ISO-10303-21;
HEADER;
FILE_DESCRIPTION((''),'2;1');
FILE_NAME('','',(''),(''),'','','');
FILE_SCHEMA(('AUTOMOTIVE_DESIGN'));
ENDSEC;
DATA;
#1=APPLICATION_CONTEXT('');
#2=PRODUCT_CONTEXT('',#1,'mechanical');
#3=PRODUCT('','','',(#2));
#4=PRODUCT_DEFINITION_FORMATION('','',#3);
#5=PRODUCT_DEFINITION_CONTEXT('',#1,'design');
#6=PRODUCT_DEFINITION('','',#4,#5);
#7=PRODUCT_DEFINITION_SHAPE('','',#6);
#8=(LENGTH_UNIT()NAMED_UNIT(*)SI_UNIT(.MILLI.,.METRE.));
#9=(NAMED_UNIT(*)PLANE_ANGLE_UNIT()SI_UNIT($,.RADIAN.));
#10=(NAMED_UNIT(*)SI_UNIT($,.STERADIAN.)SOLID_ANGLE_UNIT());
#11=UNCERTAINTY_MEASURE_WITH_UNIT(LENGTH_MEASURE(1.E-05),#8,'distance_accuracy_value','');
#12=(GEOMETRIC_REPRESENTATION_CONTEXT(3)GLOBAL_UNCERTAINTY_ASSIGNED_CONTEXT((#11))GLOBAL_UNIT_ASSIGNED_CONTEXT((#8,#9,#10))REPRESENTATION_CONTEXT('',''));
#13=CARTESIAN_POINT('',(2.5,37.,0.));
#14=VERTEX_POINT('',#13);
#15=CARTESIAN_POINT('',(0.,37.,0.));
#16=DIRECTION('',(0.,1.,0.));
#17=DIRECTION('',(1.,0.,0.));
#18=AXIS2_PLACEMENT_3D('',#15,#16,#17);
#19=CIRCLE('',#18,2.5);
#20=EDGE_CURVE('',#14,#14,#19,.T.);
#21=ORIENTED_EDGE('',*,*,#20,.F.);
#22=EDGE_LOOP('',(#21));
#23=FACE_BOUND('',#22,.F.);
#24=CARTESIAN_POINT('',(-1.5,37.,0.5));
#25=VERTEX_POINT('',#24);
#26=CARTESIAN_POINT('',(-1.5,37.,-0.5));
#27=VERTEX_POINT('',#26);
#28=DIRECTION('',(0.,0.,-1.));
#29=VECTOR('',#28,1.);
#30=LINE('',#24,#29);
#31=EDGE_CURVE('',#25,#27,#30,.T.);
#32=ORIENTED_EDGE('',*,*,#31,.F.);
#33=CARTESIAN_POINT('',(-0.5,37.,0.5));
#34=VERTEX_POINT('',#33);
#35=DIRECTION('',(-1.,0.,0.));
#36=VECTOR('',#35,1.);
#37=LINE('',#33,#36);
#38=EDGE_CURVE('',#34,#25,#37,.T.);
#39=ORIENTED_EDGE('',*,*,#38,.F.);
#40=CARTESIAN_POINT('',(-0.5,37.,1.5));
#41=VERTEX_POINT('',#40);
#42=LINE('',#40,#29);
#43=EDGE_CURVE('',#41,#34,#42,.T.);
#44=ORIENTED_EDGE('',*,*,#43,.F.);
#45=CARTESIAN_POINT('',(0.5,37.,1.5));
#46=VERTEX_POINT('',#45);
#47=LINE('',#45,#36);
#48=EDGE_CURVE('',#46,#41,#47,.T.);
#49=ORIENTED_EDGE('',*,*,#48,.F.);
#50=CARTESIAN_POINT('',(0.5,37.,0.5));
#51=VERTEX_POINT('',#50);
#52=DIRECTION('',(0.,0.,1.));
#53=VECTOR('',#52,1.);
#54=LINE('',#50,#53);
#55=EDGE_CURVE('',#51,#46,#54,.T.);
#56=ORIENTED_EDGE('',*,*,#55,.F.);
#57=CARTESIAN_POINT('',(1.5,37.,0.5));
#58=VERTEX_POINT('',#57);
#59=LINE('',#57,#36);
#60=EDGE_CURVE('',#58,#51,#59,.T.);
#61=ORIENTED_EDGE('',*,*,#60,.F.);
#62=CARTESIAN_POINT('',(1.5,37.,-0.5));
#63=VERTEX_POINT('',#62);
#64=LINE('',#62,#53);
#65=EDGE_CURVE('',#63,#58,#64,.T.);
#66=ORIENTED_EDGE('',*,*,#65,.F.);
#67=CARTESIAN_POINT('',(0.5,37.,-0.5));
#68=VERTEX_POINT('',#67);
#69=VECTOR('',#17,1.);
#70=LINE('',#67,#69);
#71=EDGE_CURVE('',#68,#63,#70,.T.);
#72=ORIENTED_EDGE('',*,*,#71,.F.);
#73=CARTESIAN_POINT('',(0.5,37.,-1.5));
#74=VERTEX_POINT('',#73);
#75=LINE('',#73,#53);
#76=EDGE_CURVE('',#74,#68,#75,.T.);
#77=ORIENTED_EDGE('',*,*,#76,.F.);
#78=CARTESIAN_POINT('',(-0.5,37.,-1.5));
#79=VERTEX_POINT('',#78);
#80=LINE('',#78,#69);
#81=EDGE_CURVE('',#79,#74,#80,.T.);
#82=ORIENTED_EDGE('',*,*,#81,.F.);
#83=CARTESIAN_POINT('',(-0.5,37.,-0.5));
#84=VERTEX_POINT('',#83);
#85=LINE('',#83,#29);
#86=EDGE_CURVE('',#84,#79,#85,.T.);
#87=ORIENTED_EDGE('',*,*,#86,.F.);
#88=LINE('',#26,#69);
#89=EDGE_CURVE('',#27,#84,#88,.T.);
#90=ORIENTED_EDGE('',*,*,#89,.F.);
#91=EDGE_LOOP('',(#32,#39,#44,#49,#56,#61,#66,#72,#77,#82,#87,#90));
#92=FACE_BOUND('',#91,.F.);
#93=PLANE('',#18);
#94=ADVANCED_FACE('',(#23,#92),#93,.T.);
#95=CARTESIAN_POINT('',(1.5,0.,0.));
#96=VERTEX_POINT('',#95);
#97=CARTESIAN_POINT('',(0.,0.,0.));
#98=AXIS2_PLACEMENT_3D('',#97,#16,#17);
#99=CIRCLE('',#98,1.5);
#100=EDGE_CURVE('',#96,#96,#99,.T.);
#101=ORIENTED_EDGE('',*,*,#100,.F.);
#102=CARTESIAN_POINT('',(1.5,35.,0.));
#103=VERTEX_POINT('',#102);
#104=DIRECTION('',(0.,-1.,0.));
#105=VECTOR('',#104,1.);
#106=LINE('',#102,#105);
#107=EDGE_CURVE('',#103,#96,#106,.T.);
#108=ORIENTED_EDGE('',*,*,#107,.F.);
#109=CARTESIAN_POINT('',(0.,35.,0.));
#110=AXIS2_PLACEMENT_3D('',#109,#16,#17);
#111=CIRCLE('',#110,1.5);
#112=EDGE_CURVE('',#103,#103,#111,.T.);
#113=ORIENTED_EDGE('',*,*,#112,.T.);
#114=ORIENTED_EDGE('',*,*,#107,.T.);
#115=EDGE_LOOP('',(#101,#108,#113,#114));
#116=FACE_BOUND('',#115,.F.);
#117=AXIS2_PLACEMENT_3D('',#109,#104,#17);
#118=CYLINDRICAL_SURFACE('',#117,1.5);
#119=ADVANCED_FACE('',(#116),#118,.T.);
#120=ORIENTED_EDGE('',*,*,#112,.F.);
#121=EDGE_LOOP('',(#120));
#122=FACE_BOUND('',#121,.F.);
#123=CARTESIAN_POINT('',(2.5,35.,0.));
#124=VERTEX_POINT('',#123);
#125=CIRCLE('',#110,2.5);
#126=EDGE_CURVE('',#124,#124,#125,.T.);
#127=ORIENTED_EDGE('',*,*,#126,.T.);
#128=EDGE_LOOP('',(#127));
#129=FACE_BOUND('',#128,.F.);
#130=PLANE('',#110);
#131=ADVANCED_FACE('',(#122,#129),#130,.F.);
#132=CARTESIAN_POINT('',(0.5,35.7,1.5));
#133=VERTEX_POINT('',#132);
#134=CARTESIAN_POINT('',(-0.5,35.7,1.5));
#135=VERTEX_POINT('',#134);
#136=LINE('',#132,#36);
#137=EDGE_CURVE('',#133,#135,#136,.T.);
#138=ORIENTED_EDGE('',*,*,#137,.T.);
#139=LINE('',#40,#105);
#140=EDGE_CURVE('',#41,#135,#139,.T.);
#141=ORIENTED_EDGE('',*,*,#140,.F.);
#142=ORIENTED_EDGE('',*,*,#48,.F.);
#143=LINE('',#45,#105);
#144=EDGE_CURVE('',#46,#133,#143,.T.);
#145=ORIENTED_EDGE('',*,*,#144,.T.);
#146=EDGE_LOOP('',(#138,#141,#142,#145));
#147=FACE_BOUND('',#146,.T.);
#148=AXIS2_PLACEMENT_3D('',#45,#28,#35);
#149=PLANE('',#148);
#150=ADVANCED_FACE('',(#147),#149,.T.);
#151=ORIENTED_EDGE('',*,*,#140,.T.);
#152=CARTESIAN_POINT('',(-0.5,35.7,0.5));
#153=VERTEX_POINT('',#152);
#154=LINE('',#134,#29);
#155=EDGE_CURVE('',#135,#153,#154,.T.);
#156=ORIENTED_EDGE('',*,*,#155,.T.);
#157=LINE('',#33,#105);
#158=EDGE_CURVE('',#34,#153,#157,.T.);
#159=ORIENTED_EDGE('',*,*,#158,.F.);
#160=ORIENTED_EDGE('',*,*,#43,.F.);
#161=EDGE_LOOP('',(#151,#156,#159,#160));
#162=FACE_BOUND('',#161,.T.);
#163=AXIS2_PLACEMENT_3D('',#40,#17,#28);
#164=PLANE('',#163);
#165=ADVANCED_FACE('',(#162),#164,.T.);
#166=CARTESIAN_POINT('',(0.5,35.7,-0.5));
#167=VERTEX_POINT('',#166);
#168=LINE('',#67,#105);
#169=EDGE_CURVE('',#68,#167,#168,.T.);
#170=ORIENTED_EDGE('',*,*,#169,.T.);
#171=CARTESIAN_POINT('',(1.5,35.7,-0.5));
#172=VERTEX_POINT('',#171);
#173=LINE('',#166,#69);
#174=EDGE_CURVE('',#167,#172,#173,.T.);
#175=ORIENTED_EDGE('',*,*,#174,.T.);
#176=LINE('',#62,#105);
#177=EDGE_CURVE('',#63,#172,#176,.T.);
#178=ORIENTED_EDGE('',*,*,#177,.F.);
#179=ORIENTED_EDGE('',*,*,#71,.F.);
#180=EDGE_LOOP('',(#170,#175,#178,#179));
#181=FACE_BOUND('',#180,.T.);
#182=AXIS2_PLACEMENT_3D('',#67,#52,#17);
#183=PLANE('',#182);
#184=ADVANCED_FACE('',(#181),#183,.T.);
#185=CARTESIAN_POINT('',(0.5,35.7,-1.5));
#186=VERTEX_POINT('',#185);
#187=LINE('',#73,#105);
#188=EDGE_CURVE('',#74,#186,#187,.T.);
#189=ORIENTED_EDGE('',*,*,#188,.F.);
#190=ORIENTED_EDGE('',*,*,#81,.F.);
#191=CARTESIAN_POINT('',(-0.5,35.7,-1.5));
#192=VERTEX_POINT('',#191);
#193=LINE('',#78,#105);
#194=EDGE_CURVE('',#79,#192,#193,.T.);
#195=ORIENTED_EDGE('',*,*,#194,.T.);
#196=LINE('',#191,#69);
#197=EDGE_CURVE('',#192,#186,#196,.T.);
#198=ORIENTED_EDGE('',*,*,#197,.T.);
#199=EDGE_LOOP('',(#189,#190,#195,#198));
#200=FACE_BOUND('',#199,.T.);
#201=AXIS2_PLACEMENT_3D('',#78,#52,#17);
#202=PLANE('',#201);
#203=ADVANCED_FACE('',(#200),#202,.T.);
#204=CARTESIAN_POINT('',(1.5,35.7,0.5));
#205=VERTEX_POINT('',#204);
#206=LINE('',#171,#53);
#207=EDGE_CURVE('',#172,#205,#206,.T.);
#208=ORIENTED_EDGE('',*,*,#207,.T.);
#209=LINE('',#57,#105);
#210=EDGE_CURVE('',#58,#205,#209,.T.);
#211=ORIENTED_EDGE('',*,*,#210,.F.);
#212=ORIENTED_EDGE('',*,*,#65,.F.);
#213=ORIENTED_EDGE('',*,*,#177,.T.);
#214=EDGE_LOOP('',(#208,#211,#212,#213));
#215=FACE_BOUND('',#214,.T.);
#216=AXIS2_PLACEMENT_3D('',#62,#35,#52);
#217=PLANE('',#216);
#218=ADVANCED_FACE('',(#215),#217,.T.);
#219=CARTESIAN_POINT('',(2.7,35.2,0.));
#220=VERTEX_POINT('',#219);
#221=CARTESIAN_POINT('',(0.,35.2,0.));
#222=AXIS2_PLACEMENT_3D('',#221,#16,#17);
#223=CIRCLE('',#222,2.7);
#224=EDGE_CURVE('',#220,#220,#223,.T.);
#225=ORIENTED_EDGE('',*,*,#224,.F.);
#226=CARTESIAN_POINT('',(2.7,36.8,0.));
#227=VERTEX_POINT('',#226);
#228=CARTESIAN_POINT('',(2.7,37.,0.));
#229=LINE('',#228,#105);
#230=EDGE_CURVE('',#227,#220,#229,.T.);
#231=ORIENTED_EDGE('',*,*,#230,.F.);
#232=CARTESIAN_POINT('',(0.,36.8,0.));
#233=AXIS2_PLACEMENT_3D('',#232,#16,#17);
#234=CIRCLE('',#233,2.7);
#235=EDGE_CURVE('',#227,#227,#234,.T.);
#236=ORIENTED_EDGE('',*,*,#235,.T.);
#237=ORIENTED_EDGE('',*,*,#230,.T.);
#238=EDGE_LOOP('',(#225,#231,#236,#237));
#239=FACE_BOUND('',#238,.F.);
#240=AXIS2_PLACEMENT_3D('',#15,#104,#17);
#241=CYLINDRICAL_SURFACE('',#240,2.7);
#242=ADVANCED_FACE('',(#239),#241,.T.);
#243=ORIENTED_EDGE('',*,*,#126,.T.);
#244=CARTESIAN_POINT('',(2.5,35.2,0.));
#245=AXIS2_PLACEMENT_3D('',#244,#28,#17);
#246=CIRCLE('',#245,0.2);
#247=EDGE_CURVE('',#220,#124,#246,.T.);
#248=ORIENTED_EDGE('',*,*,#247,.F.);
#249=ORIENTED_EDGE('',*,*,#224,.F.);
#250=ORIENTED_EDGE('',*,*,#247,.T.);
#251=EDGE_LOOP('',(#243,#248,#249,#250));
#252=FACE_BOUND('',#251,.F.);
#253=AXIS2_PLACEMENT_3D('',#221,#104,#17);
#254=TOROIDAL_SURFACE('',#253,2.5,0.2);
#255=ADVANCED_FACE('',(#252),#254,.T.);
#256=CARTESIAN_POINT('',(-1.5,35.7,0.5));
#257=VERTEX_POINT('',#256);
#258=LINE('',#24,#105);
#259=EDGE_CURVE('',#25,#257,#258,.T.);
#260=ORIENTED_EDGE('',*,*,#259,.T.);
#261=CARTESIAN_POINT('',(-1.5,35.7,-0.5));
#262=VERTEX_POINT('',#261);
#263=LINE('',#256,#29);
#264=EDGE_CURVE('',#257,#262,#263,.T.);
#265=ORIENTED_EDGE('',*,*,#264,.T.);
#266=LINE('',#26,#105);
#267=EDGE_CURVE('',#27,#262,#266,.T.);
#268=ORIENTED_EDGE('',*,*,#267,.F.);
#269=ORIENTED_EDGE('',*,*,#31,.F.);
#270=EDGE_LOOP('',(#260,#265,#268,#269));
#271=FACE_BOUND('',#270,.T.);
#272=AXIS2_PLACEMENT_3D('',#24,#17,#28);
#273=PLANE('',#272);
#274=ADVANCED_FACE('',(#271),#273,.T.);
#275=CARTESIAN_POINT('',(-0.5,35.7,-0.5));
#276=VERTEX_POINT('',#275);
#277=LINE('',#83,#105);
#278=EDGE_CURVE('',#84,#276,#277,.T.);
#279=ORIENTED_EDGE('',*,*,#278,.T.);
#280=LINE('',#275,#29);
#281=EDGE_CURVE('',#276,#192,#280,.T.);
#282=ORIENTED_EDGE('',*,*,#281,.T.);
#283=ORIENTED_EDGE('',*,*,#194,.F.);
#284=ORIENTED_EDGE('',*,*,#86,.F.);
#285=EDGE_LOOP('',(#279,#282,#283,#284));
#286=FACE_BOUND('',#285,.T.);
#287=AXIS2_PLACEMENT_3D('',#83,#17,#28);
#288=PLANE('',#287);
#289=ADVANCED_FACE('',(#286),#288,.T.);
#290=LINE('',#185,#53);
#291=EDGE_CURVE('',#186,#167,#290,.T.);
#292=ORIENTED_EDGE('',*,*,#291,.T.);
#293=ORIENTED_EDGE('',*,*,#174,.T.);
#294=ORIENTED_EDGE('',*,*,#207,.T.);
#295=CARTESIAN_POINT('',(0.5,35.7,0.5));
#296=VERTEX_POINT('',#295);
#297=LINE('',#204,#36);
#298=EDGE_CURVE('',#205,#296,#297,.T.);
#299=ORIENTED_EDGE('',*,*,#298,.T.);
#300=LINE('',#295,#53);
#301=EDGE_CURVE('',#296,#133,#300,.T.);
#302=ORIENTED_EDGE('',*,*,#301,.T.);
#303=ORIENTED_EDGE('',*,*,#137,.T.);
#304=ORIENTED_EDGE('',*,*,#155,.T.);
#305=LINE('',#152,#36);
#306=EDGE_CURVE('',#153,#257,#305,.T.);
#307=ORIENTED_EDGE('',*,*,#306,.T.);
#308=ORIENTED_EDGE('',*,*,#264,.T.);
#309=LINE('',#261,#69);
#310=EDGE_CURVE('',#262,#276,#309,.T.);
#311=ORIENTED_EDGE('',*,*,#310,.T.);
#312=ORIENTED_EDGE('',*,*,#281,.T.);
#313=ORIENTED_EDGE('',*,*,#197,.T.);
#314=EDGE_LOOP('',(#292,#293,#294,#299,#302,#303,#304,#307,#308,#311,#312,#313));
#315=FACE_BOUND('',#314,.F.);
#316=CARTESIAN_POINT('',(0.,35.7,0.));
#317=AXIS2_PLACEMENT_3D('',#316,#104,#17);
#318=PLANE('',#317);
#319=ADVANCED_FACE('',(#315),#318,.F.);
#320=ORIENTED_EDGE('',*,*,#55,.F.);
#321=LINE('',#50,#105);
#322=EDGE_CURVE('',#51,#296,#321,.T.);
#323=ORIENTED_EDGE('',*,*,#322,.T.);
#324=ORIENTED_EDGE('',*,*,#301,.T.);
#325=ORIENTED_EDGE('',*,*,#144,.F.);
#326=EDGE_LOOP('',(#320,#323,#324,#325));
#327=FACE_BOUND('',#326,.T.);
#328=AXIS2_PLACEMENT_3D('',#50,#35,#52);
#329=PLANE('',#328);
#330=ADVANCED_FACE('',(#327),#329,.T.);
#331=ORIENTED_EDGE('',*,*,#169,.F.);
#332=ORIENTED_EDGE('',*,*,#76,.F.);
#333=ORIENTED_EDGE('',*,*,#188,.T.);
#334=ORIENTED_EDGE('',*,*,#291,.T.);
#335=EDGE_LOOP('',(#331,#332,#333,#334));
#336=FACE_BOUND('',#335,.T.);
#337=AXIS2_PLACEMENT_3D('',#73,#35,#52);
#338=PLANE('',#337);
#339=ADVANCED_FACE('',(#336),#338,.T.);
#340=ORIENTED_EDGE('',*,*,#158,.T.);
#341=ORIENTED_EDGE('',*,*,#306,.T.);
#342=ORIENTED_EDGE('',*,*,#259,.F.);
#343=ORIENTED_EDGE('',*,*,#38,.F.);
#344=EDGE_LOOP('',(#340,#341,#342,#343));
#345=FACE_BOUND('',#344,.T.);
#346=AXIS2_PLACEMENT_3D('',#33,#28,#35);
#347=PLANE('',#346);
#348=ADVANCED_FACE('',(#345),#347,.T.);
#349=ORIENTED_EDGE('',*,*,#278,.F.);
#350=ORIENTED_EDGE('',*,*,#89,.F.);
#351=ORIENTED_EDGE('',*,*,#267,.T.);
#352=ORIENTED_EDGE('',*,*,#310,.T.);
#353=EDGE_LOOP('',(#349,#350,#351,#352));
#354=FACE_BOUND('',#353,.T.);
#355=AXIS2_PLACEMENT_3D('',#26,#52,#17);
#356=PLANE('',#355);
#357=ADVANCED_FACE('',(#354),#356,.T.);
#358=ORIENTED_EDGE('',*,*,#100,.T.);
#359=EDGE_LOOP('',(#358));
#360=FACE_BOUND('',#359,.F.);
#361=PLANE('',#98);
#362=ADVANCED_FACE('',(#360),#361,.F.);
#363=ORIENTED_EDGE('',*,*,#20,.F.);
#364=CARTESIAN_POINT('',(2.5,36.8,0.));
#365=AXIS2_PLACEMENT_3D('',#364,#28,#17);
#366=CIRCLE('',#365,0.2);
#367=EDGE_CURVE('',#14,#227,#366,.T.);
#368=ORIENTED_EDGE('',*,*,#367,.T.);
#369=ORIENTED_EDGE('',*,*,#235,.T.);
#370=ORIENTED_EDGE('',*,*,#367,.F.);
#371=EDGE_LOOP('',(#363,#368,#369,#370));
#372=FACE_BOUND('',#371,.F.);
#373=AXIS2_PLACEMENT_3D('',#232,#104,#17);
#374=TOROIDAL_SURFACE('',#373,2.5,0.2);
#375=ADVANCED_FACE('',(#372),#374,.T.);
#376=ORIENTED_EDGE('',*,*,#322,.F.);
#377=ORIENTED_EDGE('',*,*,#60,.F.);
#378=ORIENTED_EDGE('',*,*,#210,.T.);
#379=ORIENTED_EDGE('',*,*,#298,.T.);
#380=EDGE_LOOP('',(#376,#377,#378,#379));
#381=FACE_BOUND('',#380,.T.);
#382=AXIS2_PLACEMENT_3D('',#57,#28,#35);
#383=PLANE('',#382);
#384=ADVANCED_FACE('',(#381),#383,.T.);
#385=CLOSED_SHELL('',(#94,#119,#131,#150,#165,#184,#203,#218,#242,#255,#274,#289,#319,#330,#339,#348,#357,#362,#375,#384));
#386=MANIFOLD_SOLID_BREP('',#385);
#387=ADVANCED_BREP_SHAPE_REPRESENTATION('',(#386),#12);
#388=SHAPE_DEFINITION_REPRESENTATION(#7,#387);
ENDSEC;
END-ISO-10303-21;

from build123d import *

# Parameters (mm, degrees)
FILLET_R     = 0.2
POCKET_DEPTH = 1.3


with BuildPart() as part:
    # Sketch → Revolution (revolve)
    with BuildSketch(Plane.XY):
        Polygon((0, 0), (0, 37), (2.7, 37), (2.7, 35), (1.5, 35), (1.5, 0), align=None)
    revolve(axis=Axis((0, 0, 0), (0, 1, 0)))

    # Fillet
    fillet_edges = [part.edges().sort_by_distance(p)[0] for p in [
        (-2.7, 35, 0),
        (-2.7, 37, 0),
    ]]
    fillet(fillet_edges, radius=FILLET_R)

    # Sketch001 (on Face1 of Fillet) → Pocket (cut)
    with BuildSketch(Plane(origin=(0, 37, 0), x_dir=(-1, 0, 0), z_dir=(0, 1, 0))):
        Polygon((0.5, 1.5), (0.5, 0.5), (1.5, 0.5), (1.5, -0.5), (0.5, -0.5), (0.5, -1.5), (-0.5, -1.5), (-0.5, -0.5), (-1.5, -0.5), (-1.5, 0.5), (-0.5, 0.5), (-0.5, 1.5), align=None)
    extrude(amount=-POCKET_DEPTH, mode=Mode.SUBTRACT)


solid = part.part
